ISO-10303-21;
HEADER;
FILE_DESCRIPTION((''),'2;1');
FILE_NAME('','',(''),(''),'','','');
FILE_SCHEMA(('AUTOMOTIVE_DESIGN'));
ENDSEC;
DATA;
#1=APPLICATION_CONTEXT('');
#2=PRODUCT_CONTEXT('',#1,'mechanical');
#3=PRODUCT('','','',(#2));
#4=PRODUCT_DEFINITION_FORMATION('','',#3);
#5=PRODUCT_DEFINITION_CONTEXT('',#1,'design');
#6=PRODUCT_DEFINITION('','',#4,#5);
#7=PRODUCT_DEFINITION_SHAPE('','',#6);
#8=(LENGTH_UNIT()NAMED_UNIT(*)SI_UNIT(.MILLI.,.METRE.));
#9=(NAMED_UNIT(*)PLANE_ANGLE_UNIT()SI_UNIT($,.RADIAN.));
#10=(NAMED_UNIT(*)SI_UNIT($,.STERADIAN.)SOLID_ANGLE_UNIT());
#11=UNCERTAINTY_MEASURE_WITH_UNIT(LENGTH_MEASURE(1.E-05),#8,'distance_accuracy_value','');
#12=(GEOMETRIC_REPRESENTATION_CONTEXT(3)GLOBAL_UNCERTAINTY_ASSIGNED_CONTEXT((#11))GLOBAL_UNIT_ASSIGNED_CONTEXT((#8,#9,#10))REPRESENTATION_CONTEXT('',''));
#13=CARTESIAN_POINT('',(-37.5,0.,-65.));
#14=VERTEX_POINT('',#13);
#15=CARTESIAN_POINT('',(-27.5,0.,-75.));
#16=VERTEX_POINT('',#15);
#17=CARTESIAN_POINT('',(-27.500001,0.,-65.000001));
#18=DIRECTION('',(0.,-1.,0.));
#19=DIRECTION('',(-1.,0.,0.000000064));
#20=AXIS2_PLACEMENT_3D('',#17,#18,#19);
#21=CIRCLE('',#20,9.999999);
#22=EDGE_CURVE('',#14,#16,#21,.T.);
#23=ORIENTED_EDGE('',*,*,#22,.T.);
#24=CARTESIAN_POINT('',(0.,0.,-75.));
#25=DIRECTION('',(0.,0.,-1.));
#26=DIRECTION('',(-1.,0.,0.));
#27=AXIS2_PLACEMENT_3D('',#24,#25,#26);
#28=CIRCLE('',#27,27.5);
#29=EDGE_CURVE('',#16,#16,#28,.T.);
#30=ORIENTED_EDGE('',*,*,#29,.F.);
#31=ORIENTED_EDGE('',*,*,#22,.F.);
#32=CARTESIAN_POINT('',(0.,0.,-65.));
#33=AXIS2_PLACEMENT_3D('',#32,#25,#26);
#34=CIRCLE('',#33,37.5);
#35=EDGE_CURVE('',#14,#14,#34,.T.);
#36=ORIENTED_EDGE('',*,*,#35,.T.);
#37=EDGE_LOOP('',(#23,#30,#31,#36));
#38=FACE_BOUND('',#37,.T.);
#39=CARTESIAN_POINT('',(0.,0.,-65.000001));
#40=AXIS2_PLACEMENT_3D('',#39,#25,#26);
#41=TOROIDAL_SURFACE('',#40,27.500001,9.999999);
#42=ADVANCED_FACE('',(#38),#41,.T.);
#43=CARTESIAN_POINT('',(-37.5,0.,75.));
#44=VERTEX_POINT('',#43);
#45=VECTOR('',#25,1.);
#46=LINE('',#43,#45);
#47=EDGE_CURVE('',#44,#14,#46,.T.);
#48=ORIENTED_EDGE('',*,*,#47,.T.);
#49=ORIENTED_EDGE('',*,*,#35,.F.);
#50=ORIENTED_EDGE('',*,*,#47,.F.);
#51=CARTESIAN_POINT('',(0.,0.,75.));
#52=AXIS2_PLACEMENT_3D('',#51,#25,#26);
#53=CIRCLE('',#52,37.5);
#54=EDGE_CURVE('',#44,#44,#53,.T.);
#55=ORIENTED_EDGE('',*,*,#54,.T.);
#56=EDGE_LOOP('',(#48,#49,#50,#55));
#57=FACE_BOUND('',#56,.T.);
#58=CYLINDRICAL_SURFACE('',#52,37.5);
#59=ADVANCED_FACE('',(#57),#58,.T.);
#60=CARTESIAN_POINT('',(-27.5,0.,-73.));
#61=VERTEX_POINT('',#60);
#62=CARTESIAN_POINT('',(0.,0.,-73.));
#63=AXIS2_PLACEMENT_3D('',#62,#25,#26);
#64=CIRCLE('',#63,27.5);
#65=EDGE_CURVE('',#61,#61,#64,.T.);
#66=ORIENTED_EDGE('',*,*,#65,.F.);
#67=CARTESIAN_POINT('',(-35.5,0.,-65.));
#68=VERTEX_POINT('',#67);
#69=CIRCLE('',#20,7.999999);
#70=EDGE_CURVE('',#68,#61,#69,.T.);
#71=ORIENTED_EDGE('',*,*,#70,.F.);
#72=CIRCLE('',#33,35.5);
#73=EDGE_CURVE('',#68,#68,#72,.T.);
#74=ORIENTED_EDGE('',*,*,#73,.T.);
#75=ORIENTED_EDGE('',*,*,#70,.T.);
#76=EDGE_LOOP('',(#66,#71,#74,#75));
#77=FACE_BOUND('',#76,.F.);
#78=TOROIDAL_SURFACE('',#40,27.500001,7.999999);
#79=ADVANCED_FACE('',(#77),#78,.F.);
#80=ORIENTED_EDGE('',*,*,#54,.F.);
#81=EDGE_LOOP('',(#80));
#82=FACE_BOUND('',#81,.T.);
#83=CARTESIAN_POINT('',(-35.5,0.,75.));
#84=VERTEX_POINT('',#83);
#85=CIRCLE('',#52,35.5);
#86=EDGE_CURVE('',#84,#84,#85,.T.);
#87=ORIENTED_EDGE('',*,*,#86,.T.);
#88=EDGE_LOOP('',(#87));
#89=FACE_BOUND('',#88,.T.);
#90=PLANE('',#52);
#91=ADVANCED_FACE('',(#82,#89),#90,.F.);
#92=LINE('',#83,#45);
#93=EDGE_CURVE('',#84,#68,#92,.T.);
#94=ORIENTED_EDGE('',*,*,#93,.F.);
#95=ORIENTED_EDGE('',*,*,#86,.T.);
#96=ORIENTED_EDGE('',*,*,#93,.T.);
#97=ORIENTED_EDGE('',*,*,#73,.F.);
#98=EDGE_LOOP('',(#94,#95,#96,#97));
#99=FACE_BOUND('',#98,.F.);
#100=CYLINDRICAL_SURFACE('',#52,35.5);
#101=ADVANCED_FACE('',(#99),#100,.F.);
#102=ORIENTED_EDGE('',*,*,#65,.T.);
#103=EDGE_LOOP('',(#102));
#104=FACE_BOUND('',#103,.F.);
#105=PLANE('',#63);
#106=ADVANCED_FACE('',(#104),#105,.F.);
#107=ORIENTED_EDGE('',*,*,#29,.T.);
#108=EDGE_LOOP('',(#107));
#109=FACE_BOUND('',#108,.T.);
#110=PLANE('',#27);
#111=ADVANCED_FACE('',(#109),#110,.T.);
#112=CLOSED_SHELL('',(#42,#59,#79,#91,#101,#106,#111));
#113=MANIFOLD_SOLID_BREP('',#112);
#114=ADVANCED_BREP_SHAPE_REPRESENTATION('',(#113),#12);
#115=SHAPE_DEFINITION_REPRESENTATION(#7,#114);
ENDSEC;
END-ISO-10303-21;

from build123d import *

# Parameters (mm, degrees)
F2_T = -2


with BuildPart() as f1:
    # F0 (on Front) → F1 (revolve)
    with BuildSketch(Plane.XZ):
        with BuildLine():
            Line((0, 75), (-37.5, 75))
            Line((-37.5, 75), (-37.5, -65))
            ThreePointArc((-37.5, -65), (-34.571068, -72.071068), (-27.5, -75))
            Line((-27.5, -75), (0, -75))
            Line((0, -75), (0, 75))
        make_face()
    revolve(axis=Axis((0, 0, 0), (0, 0, -1)))

    # F2
    f2_openings = [f1.faces().sort_by_distance(p)[0] for p in [
        (0, 0, 75),
    ]]
    offset(amount=F2_T, openings=f2_openings)


solid = f1.part
